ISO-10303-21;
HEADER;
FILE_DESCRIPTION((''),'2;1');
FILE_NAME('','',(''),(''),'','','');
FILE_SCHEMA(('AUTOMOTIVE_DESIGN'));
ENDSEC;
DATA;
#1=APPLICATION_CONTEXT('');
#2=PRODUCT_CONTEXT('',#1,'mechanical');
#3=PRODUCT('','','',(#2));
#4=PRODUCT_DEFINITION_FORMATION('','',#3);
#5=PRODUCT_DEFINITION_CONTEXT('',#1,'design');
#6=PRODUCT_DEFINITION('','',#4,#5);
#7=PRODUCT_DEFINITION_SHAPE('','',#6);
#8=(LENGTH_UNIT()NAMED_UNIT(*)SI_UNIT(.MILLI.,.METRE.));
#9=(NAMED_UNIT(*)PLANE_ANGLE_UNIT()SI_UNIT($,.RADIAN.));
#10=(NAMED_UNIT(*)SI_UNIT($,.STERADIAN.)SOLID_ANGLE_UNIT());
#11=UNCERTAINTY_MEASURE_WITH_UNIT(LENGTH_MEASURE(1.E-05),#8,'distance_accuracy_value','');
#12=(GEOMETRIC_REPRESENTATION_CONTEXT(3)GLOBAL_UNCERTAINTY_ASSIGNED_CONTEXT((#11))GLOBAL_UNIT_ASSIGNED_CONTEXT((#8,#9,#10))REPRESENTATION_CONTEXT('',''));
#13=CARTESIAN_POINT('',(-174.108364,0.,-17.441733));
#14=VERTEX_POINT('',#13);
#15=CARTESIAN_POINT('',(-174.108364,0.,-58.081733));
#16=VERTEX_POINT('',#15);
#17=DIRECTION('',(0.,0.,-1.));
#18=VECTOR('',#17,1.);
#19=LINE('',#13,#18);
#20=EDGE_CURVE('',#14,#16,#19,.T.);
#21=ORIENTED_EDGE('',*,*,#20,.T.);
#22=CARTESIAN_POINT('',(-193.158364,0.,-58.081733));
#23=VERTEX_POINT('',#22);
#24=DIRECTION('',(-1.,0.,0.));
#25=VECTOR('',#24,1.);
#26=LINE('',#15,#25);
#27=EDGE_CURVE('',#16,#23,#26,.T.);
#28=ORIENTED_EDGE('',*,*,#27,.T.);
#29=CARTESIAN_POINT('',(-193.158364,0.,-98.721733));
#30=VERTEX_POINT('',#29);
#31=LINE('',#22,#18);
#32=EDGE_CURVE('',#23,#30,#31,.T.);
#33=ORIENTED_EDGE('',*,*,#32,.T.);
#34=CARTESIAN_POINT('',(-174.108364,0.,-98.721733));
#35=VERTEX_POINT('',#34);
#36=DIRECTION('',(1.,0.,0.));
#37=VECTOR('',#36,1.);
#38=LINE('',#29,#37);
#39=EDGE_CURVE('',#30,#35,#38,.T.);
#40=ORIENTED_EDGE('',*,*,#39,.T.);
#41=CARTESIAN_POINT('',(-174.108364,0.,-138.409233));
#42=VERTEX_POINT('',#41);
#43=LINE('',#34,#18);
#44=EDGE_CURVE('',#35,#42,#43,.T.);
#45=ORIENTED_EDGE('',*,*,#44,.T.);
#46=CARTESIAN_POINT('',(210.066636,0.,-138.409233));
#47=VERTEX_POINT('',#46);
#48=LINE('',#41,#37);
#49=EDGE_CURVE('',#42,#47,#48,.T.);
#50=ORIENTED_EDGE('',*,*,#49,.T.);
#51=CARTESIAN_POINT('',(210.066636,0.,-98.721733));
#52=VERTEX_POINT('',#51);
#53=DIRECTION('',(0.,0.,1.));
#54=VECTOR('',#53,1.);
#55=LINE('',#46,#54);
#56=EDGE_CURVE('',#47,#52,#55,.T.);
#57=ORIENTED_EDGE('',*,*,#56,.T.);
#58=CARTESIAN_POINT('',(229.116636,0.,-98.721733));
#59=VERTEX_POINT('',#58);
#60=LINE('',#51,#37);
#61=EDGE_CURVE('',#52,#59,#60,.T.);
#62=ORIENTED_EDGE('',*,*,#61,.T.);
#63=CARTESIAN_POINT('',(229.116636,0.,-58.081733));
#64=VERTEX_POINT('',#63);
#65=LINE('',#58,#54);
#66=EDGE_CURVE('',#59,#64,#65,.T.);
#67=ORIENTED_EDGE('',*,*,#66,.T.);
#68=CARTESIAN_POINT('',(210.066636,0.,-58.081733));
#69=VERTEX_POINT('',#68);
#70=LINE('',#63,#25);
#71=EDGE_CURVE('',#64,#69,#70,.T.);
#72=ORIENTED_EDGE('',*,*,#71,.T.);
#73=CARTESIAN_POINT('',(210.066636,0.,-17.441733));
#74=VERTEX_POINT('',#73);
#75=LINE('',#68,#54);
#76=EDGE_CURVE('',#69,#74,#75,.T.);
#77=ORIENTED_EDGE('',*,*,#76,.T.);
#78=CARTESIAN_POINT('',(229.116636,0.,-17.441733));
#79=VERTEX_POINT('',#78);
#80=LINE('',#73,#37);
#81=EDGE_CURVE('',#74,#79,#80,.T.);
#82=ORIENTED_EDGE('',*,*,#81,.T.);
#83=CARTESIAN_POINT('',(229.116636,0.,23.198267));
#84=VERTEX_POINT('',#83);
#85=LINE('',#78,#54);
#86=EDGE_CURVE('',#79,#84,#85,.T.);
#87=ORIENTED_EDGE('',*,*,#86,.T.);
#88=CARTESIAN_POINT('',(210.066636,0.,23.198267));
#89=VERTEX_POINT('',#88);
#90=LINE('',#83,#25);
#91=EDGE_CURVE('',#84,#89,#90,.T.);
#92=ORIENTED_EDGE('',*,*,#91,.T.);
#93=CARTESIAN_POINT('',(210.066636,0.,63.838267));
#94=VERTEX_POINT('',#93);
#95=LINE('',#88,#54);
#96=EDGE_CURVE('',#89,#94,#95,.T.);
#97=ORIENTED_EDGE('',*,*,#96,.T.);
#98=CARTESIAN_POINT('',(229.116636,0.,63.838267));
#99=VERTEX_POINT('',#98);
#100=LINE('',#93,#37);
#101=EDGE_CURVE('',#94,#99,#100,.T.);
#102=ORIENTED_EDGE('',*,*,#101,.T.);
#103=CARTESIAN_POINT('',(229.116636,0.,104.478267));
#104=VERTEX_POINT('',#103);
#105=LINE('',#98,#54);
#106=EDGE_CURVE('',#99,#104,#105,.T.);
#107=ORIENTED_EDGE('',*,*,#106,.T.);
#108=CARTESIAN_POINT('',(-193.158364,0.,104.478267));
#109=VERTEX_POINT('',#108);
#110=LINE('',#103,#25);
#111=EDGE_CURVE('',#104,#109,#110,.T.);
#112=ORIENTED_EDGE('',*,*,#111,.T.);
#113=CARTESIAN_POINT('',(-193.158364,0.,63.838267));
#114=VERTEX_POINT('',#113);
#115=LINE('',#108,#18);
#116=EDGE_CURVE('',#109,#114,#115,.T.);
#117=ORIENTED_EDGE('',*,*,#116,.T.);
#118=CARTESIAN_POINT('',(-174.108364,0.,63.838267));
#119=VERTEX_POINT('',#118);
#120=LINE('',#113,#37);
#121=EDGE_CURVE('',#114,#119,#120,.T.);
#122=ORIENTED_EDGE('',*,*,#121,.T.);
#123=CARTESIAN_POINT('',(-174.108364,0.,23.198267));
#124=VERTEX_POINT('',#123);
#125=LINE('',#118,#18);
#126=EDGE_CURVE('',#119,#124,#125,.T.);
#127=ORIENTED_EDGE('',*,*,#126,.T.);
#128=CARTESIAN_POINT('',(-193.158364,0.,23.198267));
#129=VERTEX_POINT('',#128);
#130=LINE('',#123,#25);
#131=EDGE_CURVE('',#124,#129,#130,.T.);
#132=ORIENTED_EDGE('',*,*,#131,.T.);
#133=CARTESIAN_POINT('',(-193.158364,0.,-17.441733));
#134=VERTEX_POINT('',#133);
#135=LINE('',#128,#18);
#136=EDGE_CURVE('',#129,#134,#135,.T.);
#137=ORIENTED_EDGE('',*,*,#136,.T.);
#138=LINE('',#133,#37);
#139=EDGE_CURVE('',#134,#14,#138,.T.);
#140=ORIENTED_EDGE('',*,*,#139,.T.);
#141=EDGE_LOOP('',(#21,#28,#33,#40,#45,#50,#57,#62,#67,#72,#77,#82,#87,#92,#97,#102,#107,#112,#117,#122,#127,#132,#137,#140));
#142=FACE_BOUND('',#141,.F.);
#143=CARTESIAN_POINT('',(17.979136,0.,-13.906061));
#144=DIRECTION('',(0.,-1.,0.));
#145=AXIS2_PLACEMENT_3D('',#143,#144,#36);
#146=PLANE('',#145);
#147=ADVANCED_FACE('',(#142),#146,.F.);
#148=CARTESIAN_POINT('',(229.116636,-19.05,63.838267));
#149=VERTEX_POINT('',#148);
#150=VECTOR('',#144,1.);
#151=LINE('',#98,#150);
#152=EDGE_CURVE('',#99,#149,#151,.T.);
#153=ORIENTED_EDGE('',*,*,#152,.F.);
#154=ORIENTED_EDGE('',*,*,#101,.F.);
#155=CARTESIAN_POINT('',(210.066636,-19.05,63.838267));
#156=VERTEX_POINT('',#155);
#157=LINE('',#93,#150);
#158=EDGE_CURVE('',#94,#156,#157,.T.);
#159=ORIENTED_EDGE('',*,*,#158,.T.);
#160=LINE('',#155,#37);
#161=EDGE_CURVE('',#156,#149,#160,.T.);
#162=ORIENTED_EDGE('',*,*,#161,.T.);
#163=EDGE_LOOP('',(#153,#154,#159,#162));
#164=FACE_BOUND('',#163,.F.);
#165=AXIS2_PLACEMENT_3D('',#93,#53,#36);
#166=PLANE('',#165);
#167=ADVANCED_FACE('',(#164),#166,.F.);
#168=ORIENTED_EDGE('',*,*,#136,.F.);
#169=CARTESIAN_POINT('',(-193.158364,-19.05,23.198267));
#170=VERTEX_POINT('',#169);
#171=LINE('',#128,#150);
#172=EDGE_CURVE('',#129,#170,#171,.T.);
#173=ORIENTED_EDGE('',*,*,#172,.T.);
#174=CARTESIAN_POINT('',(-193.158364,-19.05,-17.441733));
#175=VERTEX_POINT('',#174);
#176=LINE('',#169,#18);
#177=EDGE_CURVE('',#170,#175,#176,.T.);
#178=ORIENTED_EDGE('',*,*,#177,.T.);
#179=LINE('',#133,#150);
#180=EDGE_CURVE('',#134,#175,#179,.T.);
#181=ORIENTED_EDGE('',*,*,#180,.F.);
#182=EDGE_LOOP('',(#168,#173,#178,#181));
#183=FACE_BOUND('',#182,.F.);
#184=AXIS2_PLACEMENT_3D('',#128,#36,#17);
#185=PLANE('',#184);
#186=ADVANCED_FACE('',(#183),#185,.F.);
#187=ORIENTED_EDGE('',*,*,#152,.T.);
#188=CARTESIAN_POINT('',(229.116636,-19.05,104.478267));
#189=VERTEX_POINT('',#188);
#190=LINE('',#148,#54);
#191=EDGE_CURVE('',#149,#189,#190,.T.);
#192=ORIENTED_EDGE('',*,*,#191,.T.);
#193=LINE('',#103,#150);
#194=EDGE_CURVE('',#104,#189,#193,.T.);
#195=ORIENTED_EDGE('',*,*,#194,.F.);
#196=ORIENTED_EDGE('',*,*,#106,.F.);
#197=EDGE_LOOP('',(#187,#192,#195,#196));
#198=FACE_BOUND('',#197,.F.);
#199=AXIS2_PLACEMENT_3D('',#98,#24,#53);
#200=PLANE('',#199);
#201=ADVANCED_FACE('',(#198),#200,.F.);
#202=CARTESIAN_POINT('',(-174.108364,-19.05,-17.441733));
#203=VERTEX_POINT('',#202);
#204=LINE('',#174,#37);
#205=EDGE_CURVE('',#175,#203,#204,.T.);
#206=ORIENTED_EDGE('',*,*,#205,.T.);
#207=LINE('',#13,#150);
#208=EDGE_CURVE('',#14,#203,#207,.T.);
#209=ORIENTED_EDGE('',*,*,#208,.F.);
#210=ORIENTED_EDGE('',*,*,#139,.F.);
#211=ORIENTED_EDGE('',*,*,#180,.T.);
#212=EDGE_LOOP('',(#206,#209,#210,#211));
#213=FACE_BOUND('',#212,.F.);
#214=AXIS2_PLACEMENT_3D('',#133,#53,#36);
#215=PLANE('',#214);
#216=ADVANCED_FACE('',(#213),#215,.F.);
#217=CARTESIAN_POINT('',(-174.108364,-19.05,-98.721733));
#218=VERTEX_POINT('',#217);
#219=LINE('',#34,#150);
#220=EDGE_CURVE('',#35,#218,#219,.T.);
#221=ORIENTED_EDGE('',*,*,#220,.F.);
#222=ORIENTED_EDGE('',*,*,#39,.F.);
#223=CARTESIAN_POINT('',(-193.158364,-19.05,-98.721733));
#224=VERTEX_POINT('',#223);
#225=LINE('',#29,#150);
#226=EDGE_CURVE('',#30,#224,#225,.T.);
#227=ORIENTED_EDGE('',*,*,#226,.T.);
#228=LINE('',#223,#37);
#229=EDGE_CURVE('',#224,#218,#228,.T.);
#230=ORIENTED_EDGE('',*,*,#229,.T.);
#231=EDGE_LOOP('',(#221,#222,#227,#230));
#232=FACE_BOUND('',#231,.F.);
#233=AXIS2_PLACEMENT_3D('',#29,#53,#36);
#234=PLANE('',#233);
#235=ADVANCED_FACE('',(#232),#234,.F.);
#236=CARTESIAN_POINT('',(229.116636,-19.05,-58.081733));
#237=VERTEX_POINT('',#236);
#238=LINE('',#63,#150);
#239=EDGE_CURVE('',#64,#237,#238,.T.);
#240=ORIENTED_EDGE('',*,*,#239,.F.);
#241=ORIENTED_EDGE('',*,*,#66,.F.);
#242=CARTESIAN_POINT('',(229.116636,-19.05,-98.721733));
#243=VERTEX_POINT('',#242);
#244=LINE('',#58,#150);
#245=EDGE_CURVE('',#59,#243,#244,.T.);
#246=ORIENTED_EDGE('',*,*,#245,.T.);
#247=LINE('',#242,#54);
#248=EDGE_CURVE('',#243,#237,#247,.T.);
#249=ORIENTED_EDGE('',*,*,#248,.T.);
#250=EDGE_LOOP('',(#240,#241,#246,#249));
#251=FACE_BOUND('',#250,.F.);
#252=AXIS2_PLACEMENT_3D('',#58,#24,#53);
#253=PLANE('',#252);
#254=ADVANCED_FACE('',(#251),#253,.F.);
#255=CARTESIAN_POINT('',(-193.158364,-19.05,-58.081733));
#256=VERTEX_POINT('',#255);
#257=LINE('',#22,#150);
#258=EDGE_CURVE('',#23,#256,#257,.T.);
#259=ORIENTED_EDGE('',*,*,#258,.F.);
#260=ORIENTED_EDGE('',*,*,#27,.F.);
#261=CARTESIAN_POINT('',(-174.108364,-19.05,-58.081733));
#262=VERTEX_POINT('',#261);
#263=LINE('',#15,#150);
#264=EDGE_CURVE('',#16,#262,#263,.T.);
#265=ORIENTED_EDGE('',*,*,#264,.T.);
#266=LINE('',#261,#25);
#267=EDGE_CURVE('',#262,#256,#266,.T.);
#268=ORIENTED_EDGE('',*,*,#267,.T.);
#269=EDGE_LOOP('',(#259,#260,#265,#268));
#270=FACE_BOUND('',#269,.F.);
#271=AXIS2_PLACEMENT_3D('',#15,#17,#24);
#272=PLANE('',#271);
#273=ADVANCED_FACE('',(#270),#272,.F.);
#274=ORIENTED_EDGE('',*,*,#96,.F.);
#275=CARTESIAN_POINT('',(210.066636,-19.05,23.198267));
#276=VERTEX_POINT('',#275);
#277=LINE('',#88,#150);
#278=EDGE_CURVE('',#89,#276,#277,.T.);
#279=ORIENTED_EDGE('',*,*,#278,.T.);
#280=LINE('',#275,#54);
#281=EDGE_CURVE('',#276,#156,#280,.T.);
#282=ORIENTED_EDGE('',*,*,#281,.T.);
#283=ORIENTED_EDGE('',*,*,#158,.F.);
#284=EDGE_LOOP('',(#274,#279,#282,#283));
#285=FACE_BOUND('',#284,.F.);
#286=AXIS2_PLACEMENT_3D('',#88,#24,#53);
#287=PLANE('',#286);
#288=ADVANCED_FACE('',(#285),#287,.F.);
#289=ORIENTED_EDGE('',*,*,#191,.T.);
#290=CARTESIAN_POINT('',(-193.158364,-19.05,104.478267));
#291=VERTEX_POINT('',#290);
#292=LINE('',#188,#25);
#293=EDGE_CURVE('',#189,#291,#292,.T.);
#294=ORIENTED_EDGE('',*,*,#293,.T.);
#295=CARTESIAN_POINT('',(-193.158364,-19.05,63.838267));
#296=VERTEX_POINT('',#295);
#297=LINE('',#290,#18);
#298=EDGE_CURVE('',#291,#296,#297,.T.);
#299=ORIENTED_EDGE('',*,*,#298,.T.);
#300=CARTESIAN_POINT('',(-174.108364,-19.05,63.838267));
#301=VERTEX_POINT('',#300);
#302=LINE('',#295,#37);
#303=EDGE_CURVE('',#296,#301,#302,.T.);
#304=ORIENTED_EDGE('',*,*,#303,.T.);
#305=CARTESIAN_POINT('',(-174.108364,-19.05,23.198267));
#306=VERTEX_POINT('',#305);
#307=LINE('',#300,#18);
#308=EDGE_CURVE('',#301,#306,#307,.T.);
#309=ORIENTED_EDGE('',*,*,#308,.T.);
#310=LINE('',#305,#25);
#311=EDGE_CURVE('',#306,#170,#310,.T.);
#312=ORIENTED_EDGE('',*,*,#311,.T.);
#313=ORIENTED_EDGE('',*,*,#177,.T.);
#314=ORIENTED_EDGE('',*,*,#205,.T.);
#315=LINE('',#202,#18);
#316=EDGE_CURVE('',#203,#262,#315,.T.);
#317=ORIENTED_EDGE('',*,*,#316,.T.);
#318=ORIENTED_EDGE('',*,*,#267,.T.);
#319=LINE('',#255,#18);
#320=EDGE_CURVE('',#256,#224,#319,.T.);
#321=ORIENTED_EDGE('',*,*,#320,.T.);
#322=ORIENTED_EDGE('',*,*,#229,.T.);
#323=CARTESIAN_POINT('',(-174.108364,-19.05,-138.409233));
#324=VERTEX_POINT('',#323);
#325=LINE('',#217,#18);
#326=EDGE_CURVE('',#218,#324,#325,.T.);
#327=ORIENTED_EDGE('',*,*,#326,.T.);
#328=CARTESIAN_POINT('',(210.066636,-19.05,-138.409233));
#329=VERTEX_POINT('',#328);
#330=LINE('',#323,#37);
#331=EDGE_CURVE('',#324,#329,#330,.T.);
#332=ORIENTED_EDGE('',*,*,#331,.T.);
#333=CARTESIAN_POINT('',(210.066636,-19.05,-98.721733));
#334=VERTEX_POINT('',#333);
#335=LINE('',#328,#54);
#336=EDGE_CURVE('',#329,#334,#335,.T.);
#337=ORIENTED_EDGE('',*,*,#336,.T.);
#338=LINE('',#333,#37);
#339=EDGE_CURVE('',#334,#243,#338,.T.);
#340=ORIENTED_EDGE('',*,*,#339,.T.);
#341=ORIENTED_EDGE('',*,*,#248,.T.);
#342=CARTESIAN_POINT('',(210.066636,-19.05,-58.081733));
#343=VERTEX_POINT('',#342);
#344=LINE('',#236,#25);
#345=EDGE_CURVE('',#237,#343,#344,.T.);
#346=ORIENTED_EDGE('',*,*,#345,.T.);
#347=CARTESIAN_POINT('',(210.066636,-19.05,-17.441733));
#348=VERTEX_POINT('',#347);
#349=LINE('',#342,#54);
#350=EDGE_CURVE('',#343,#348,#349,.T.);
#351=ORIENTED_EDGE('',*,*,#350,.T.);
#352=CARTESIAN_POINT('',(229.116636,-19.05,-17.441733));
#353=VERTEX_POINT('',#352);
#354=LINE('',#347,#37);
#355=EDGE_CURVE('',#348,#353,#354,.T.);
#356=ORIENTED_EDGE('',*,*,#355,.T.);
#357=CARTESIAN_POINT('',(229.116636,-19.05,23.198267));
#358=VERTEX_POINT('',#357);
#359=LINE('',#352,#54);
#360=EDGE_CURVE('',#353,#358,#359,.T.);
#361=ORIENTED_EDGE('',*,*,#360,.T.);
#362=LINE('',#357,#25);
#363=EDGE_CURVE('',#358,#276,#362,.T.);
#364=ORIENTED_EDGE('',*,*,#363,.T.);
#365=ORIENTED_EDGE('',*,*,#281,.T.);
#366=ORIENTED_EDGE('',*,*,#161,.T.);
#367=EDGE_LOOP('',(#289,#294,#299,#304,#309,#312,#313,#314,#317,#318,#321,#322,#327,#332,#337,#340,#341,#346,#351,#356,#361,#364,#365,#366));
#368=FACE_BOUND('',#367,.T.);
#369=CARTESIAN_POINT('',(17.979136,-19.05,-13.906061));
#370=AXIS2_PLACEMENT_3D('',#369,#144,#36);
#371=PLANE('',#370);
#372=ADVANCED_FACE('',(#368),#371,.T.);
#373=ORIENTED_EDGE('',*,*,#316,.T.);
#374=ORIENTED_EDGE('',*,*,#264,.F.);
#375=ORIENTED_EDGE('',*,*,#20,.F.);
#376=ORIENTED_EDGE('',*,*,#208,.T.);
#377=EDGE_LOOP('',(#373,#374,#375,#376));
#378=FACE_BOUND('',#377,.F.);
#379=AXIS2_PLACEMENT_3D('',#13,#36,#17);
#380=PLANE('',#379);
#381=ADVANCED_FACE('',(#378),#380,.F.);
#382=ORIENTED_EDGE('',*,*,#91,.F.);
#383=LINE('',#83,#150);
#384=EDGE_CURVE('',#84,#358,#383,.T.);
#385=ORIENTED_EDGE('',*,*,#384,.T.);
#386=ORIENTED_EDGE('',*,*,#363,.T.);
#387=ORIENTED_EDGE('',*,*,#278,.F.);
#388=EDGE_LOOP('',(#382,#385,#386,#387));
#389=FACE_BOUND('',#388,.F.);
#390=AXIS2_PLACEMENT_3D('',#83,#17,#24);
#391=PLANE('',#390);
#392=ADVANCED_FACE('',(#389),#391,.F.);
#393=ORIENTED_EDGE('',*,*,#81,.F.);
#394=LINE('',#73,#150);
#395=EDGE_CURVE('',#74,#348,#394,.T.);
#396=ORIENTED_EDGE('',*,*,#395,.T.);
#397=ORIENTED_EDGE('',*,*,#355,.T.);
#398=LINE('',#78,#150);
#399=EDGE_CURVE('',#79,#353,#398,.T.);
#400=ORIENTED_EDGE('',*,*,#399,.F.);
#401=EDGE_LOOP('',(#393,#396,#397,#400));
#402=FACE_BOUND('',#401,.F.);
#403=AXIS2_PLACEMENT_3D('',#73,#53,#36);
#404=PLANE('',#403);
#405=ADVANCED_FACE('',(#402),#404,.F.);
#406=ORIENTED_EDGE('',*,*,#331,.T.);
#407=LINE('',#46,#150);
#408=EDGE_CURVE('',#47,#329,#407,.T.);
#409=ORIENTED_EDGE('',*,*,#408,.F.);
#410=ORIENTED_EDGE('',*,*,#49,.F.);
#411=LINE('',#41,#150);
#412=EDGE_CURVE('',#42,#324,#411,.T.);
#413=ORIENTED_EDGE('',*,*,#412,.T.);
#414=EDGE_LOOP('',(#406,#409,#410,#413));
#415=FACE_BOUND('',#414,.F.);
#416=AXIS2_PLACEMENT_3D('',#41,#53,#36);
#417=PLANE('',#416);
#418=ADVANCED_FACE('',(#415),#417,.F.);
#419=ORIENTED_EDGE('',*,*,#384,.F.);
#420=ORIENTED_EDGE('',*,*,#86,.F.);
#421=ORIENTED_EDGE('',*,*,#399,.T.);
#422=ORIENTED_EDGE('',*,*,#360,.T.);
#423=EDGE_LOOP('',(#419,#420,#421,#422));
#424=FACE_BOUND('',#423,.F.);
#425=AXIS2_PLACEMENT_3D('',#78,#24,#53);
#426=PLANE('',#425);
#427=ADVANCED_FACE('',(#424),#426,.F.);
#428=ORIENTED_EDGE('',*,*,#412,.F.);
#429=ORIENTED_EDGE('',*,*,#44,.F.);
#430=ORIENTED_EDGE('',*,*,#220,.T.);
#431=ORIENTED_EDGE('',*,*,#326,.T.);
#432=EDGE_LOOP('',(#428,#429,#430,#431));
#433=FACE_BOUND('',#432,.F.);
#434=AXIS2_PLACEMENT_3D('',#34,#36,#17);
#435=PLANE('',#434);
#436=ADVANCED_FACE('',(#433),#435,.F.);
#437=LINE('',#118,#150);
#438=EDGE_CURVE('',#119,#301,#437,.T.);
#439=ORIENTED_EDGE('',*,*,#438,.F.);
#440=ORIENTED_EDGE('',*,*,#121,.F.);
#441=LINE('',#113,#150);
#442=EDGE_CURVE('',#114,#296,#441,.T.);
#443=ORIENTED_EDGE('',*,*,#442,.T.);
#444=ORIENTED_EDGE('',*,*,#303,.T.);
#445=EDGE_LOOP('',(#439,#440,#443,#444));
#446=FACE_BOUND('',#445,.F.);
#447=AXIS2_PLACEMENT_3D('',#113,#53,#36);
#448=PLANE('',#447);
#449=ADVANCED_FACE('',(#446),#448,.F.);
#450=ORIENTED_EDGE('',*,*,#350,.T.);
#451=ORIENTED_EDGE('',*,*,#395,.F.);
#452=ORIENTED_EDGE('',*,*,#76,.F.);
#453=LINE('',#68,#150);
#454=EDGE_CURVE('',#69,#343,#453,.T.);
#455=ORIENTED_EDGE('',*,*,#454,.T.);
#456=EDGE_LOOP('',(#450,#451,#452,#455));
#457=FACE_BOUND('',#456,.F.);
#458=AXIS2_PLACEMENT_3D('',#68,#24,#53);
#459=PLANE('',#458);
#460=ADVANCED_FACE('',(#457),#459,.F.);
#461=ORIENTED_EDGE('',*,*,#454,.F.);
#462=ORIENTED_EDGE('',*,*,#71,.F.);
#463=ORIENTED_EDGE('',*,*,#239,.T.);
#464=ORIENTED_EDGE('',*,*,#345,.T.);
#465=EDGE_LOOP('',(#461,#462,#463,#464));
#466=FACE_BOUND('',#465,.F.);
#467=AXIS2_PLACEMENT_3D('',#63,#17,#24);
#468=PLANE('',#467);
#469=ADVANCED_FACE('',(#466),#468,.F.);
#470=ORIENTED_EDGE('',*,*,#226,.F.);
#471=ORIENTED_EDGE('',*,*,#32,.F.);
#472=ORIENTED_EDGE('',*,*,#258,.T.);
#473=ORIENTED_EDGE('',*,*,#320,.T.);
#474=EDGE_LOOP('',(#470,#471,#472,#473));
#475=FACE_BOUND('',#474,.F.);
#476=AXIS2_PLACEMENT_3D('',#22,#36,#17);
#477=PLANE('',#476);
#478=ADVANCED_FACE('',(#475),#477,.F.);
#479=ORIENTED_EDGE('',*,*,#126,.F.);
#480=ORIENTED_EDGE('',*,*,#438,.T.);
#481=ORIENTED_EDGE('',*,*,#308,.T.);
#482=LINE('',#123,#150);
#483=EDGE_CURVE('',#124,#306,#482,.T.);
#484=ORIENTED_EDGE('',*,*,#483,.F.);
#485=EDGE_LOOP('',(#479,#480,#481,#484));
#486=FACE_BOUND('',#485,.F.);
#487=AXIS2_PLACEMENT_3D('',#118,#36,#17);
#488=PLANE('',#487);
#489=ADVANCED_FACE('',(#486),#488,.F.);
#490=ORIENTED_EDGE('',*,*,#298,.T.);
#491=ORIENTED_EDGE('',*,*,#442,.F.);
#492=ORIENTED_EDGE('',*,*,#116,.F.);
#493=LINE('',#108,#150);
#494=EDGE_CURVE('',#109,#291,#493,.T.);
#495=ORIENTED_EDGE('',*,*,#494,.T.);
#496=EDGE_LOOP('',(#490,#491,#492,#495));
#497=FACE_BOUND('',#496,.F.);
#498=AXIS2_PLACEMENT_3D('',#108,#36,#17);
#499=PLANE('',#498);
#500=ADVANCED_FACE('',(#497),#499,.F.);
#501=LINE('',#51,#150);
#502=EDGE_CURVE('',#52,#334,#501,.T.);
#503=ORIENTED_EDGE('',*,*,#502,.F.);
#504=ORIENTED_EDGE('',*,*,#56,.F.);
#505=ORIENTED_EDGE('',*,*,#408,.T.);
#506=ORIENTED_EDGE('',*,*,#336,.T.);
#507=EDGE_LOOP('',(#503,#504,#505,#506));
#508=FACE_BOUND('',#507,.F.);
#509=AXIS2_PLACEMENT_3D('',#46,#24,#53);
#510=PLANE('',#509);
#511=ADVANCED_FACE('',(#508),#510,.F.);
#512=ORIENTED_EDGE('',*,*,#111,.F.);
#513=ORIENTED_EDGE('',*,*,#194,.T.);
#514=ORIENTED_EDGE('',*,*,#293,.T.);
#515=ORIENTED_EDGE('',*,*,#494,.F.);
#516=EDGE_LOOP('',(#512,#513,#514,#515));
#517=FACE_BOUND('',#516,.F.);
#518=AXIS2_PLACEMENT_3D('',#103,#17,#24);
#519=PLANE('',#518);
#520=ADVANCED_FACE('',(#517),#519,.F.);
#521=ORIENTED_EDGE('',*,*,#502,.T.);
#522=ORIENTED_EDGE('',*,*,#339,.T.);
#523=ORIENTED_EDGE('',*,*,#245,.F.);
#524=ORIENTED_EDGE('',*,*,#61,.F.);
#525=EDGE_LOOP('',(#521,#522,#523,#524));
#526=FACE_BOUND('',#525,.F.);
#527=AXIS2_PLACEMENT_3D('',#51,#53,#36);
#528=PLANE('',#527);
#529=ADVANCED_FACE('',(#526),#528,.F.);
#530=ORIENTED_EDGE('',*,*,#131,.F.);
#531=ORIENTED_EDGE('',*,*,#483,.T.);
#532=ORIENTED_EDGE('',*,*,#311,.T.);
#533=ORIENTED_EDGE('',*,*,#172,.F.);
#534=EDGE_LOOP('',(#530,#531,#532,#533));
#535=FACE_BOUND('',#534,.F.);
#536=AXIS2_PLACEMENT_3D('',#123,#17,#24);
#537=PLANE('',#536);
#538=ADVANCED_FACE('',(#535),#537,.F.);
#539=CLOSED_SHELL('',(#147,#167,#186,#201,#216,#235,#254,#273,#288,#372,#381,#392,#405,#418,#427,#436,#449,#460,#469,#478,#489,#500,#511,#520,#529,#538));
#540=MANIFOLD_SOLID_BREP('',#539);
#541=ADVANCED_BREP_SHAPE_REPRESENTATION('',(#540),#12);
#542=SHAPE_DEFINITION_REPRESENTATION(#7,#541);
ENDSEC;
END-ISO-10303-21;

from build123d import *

# Parameters (mm, degrees)
F1_DEPTH = 19.05


with BuildPart() as f1:
    # F0 (on Front) → F1 (new body)
    with BuildSketch(Plane.XZ):
        Polygon((-193.158364, 104.478267), (-193.158364, 63.838267), (-174.108364, 63.838267), (-174.108364, 23.198267), (-193.158364, 23.198267), (-193.158364, -17.441733), (-174.108364, -17.441733), (-174.108364, -58.081733), (-193.158364, -58.081733), (-193.158364, -98.721733), (-174.108364, -98.721733), (-174.108364, -138.409233), (17.979136, -138.409233), (210.066636, -138.409233), (210.066636, -98.721733), (229.116636, -98.721733), (229.116636, -58.081733), (210.066636, -58.081733), (210.066636, -17.441733), (229.116636, -17.441733), (229.116636, 23.198267), (210.066636, 23.198267), (210.066636, 63.838267), (229.116636, 63.838267), (229.116636, 104.478267), (17.979136, 104.478267), align=None)
    extrude(amount=F1_DEPTH)


solid = f1.part
